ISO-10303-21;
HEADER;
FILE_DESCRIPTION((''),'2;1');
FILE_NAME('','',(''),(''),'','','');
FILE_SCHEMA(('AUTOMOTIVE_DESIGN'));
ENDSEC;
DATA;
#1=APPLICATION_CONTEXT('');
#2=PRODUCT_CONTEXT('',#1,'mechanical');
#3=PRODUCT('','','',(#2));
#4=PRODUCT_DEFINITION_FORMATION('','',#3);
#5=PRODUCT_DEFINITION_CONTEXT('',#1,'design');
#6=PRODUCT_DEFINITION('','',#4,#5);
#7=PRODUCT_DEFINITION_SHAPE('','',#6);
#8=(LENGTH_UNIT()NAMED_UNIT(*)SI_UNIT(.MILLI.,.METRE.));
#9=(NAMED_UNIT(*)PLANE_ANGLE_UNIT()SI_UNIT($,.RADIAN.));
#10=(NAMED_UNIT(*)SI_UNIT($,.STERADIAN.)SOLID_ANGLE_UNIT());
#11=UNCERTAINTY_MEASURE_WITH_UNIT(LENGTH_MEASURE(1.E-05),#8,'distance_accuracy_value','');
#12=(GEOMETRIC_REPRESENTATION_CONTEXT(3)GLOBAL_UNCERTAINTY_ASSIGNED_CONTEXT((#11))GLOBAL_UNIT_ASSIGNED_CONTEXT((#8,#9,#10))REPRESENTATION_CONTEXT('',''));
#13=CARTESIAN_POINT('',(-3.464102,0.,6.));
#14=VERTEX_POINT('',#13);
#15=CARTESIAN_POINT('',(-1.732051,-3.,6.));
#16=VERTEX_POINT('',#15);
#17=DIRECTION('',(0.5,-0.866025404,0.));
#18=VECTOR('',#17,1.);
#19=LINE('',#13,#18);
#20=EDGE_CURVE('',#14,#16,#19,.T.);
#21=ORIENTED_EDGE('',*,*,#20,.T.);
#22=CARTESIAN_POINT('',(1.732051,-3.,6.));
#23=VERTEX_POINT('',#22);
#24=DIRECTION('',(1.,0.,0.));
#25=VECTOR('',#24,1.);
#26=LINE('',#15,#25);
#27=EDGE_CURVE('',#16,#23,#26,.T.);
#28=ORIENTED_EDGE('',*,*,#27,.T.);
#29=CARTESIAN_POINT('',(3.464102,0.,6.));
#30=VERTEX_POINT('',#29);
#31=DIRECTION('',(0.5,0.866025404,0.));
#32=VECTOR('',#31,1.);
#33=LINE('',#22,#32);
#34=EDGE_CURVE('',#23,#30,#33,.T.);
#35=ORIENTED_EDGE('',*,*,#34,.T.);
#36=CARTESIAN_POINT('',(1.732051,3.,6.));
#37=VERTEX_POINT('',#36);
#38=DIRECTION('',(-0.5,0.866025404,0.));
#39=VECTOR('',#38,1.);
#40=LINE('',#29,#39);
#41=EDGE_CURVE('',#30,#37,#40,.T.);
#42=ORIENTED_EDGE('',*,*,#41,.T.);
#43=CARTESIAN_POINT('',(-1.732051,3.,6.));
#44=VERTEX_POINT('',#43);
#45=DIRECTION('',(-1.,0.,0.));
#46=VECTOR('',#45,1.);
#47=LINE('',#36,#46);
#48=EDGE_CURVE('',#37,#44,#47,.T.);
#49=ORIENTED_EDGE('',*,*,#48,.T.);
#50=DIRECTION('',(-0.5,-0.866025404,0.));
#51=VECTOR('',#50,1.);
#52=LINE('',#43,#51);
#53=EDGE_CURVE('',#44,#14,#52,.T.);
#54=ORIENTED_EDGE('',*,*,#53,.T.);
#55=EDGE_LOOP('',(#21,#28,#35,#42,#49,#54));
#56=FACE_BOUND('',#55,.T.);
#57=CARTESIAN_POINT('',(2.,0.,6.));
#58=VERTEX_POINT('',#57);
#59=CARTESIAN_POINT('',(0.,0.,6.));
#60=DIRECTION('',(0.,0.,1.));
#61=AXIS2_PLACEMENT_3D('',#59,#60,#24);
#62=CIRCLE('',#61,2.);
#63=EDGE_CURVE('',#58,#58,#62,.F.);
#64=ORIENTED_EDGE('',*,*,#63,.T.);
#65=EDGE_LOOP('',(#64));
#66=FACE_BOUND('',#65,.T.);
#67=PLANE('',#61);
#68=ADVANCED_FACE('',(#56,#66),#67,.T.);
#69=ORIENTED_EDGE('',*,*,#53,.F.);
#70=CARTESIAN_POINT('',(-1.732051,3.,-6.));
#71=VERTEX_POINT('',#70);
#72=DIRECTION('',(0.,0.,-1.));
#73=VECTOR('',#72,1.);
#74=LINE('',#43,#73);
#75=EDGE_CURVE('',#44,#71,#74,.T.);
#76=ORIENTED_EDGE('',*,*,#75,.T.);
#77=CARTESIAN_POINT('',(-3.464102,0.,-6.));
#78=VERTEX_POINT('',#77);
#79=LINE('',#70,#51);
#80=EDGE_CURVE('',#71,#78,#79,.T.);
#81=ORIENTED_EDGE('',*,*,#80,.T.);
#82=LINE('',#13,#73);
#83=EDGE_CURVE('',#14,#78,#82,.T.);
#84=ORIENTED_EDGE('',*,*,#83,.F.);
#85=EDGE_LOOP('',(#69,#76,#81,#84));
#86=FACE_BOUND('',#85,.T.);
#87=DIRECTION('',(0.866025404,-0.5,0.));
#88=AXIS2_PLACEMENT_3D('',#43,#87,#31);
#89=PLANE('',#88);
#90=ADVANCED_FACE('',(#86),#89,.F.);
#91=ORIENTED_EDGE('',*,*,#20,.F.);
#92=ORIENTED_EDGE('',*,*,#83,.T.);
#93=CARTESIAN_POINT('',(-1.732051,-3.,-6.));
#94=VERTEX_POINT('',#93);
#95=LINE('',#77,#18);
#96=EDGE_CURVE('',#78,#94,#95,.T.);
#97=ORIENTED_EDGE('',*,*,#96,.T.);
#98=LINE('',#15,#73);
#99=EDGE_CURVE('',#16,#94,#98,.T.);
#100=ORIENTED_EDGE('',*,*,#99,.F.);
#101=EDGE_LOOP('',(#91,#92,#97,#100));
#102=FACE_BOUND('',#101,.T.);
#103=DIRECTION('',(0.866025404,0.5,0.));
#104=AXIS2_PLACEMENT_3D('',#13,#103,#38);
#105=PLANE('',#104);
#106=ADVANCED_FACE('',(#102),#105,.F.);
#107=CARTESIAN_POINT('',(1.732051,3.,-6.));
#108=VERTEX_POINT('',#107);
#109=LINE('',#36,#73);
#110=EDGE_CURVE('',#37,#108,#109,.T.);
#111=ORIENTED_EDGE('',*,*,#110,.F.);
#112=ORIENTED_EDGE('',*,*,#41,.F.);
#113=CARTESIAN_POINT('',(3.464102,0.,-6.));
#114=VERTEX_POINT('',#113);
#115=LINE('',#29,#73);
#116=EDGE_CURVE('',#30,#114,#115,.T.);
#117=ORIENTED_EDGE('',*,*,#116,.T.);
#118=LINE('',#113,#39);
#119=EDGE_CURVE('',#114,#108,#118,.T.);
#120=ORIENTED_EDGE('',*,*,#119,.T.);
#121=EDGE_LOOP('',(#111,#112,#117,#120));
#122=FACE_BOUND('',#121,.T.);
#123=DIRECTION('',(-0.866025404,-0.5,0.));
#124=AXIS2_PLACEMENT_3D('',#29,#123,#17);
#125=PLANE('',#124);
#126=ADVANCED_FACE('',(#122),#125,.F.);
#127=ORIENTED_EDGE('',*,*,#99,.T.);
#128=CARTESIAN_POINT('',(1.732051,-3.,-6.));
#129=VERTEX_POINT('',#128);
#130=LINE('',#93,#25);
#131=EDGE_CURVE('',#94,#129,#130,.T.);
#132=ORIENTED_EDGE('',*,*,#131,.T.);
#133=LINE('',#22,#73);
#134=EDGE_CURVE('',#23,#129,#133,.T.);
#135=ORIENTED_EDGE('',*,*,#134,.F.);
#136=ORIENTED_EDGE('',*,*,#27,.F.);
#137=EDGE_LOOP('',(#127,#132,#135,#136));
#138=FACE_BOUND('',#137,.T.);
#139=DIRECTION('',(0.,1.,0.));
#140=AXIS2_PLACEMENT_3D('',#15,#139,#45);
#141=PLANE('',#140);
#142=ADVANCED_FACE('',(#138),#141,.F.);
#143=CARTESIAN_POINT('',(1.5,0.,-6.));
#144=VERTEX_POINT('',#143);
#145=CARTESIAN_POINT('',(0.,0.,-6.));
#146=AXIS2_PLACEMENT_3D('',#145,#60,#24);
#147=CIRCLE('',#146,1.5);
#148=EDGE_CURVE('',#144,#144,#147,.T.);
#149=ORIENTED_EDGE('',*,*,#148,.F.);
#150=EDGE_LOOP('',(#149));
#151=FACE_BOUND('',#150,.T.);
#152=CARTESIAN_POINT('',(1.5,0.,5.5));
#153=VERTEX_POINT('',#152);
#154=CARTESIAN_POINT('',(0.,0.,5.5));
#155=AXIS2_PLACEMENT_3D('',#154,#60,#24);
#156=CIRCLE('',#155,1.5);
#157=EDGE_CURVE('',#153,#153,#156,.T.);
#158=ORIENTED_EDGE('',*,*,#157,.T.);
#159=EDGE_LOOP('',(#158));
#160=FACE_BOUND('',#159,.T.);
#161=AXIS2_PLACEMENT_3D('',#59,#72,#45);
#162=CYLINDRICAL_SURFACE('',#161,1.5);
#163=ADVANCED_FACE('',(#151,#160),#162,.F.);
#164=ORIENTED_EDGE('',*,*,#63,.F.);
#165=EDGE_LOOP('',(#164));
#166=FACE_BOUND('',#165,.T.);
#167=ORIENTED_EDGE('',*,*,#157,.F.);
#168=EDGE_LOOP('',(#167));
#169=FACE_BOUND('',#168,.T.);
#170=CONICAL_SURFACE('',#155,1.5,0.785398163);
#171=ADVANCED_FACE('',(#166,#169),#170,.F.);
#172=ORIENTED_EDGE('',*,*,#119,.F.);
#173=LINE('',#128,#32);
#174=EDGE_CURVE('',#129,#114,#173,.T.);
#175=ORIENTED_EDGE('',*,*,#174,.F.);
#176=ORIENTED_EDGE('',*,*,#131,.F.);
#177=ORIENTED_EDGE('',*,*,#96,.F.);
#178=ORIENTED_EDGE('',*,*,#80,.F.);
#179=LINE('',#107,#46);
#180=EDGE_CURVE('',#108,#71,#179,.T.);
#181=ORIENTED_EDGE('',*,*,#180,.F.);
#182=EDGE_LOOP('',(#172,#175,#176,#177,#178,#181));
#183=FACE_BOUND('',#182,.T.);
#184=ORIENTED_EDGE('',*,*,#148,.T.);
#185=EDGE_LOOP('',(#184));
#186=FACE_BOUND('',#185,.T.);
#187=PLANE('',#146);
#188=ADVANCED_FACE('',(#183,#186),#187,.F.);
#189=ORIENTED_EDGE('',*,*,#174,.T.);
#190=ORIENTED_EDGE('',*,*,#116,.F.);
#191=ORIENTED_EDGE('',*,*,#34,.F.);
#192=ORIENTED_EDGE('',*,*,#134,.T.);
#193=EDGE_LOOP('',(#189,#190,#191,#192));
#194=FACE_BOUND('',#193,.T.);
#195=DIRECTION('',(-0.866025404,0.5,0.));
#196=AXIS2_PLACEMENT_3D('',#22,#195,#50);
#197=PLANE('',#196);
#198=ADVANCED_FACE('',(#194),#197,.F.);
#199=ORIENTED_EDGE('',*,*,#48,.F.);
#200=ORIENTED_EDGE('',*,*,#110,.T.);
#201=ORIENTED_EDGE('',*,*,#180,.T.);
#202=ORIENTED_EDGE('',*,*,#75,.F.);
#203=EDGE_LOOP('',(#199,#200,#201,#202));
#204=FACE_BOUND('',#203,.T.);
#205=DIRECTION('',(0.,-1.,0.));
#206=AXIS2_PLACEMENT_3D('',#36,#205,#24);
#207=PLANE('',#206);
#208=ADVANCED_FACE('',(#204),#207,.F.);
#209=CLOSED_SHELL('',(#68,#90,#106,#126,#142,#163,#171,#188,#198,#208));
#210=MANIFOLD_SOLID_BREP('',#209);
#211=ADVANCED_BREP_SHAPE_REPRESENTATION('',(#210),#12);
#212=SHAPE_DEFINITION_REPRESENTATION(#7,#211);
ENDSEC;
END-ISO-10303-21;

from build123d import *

# Parameters (mm, degrees)
SKETCH1_R           = 1.5
BOSS_EXTRUDE1_DEPTH = 6
CHAMFER1_SIZE       = 0.5


with BuildPart() as part:
    # Sketch1 → Boss-Extrude1 (new, symmetric)
    with BuildSketch(Plane.XY):
        Polygon((3.464101615, 0), (1.732050808, 3), (-1.732050808, 3), (-3.464101615, 0), (-1.732050808, -3), (1.732050808, -3), align=None)
        Circle(SKETCH1_R, mode=Mode.SUBTRACT)
    extrude(amount=BOSS_EXTRUDE1_DEPTH, both=True)

    # Chamfer1
    chamfer1_edges = [part.edges().sort_by_distance(p)[0] for p in [
        (-1.5, 0, 6),
    ]]
    chamfer(chamfer1_edges, length=CHAMFER1_SIZE)


solid = part.part
